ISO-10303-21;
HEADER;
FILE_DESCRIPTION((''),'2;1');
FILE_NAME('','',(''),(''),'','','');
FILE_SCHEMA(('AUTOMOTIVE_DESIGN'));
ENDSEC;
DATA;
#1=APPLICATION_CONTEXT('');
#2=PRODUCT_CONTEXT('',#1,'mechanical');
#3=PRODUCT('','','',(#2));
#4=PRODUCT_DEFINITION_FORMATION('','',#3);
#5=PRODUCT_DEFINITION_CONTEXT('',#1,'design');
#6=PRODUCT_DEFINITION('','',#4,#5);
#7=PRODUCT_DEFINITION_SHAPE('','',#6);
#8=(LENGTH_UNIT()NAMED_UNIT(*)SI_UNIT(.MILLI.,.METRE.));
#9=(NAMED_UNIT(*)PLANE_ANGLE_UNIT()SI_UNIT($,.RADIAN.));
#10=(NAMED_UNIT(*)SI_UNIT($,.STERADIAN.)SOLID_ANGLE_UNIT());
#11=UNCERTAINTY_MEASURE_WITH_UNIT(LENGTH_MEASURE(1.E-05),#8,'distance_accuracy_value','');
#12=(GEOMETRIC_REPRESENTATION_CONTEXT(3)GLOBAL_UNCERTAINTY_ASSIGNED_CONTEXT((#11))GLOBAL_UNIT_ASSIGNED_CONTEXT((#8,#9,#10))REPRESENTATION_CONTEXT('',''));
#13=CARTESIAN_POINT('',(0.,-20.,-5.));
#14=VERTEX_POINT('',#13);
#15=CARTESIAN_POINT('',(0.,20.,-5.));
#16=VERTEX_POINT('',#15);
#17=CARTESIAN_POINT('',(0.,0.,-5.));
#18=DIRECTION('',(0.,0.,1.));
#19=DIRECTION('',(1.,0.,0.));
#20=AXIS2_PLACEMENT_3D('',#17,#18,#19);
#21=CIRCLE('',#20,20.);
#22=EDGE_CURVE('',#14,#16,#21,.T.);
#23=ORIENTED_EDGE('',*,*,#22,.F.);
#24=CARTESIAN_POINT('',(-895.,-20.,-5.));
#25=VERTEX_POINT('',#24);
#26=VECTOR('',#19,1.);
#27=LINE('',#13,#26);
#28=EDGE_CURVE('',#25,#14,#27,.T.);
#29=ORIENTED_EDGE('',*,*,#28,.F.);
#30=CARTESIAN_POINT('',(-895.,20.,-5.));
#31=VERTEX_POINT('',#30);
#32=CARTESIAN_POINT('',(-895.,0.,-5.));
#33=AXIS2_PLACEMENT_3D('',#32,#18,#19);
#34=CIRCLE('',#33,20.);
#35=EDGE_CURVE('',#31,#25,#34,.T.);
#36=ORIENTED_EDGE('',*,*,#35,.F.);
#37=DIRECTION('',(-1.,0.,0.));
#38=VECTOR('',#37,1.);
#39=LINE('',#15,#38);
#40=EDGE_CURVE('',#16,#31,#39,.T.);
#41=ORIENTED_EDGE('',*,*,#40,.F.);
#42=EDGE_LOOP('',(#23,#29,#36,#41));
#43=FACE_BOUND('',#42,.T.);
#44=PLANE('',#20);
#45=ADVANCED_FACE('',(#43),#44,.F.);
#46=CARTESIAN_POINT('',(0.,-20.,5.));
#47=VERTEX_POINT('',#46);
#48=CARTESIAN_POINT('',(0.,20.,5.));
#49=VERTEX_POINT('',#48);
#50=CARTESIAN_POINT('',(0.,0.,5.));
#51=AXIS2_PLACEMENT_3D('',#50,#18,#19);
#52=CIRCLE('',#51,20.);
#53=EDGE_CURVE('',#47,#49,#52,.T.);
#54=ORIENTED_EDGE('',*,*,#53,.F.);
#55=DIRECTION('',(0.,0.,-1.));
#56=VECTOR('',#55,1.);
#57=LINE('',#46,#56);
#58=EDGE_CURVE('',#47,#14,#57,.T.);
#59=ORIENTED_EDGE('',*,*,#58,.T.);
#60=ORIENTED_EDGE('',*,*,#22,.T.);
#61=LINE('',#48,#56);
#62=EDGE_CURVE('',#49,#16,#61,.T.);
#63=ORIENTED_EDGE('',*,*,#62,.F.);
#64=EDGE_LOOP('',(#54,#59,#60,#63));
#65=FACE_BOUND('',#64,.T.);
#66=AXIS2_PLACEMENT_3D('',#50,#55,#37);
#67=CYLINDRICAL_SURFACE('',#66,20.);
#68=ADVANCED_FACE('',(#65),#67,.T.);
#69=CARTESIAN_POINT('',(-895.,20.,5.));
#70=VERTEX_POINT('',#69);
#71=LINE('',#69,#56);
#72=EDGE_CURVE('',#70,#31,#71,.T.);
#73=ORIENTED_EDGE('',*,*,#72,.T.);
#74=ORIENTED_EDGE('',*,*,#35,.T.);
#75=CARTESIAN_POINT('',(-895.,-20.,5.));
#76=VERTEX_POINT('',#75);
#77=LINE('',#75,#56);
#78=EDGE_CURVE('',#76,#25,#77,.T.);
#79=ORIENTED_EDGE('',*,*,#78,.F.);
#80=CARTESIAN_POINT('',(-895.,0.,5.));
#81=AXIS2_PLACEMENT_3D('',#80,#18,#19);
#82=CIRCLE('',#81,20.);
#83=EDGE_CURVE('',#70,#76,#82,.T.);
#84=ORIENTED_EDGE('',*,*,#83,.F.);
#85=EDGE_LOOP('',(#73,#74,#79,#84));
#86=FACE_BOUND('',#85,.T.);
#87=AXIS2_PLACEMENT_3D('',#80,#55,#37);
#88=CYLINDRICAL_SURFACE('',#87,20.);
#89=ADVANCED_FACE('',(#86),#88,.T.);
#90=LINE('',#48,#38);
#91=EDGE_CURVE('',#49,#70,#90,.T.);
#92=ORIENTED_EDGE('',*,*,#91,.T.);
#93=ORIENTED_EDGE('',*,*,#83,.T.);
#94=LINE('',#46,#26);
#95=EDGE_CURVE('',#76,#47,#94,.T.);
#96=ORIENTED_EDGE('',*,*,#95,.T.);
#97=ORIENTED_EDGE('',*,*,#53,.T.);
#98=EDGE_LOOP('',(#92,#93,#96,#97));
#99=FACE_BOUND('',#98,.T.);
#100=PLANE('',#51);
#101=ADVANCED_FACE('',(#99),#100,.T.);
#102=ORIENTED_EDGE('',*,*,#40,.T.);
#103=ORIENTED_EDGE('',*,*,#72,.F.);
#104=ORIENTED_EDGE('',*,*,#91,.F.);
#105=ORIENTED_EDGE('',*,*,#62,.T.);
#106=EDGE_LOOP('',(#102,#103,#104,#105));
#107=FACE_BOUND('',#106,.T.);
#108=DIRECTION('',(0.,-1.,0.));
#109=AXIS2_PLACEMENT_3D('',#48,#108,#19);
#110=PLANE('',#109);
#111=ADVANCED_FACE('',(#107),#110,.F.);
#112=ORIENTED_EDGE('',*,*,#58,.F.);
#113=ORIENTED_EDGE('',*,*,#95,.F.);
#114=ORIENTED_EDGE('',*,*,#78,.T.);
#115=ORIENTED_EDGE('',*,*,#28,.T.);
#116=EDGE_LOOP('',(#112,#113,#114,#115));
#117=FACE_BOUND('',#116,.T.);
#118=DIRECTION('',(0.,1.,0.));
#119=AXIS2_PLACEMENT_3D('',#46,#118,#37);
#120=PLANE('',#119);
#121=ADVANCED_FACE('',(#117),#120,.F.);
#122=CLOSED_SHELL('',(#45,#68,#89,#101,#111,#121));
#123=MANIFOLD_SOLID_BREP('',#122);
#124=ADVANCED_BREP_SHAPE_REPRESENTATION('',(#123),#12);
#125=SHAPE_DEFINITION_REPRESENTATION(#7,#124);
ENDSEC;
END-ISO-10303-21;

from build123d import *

# Parameters (mm, degrees)
BOSS_EXTRUDE1_DEPTH = 5


with BuildPart() as part:
    # Sketch1 → Boss-Extrude1 (new, symmetric)
    with BuildSketch(Plane.XY):
        with BuildLine():
            Line((0, -20), (-895, -20))
            ThreePointArc((-895, -20), (-915, 0), (-895, 20))
            Line((-895, 20), (0, 20))
            ThreePointArc((0, 20), (20, 0), (0, -20))
        make_face()
    extrude(amount=BOSS_EXTRUDE1_DEPTH, both=True)


solid = part.part
